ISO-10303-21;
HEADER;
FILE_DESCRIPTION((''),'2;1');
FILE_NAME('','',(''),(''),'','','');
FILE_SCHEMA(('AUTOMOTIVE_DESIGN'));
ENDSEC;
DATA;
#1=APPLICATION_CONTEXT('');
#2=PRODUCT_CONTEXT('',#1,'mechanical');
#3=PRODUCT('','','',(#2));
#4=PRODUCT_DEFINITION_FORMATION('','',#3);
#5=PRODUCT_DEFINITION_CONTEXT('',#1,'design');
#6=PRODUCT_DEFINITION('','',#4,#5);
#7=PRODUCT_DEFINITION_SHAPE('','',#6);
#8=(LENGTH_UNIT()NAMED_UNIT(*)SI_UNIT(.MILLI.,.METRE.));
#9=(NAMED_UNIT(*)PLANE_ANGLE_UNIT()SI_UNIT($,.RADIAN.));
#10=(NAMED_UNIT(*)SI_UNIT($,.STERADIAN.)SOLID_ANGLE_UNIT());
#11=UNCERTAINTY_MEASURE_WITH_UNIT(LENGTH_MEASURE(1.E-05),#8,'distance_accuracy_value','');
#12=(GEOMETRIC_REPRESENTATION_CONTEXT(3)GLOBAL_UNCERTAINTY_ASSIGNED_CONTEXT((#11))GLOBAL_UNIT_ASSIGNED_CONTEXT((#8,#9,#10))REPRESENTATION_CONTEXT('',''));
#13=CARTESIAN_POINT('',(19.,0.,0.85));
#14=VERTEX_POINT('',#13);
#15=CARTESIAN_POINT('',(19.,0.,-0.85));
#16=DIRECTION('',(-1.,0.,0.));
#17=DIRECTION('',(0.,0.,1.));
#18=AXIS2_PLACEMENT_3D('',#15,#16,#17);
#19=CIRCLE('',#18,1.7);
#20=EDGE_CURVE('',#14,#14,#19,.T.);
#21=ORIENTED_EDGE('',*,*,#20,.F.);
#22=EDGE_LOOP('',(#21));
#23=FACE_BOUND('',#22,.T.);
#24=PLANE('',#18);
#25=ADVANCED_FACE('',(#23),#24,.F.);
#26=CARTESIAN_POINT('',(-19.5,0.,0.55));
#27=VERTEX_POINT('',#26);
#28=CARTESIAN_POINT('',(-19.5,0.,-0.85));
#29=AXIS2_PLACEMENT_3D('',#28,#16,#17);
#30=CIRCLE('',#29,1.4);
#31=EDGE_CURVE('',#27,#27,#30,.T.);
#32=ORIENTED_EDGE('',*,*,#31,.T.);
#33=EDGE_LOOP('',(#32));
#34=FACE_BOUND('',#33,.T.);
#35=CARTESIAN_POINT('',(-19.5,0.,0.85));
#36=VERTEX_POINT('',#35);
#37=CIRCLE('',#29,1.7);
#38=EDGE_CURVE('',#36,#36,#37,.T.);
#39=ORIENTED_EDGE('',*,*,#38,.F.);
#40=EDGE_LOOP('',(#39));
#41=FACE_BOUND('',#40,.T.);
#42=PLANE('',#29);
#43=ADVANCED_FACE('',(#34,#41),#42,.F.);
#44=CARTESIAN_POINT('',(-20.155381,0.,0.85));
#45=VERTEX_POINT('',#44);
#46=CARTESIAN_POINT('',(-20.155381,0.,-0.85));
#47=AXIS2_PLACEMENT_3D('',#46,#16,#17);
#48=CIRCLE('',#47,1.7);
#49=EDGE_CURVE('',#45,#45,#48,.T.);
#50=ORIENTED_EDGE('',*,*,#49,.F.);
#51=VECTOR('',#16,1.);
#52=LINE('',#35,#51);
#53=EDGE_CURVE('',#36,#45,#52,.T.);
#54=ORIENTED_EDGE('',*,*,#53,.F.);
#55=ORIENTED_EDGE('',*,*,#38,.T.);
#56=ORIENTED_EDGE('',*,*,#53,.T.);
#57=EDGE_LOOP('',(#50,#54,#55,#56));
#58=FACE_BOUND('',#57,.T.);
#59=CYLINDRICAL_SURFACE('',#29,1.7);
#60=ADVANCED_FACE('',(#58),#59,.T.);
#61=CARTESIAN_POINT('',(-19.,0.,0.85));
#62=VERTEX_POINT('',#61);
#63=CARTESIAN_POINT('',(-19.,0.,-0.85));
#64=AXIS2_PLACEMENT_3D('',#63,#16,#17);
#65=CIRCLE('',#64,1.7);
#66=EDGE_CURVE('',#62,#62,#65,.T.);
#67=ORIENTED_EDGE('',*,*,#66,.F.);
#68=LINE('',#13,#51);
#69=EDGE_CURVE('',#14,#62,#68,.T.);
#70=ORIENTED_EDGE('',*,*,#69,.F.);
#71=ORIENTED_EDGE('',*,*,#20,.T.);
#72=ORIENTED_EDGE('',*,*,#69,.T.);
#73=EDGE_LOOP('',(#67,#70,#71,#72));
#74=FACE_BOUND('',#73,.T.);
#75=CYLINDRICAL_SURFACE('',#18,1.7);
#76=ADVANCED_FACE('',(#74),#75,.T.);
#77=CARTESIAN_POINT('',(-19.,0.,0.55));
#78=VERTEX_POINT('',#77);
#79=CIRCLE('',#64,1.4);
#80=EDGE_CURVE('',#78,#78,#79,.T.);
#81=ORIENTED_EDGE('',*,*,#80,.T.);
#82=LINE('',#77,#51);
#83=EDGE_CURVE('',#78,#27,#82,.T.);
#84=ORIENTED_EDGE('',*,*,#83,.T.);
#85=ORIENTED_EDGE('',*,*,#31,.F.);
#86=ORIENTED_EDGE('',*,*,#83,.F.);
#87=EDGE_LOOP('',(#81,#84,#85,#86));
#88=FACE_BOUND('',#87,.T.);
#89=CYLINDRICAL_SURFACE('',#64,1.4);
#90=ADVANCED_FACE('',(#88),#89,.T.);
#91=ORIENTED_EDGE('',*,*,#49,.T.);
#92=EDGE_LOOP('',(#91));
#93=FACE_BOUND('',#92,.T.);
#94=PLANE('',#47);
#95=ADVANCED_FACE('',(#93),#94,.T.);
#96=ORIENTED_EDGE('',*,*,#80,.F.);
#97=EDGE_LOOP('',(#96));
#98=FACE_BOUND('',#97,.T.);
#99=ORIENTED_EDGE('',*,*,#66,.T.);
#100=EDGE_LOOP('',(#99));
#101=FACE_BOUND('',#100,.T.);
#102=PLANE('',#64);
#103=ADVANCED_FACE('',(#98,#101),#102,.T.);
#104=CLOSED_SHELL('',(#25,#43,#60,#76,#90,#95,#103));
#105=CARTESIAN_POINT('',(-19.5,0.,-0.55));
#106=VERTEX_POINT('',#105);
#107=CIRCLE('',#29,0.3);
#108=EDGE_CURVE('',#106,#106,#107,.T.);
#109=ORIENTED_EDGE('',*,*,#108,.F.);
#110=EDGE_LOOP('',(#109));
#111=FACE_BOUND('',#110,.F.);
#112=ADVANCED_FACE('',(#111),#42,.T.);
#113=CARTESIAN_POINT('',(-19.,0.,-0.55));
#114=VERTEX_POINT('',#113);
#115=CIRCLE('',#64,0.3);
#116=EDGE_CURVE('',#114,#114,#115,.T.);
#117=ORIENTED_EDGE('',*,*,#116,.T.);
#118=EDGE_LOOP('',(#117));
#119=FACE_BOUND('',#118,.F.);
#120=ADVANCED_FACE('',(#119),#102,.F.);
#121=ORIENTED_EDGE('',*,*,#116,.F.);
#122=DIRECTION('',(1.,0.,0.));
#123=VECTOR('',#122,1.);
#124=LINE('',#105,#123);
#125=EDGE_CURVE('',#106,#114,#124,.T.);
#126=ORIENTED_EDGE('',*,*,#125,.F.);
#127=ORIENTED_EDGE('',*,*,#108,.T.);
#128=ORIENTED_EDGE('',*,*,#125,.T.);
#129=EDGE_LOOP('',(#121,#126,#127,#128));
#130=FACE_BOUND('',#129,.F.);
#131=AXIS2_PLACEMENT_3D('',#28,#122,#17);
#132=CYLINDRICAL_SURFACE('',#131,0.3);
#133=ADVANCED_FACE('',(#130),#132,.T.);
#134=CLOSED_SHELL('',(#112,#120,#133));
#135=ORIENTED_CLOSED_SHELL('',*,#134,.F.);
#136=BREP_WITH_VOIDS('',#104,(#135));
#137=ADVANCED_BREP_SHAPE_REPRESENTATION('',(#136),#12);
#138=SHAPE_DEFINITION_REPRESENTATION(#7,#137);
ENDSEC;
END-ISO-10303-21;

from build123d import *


with BuildPart() as f1:
    # F0 (on Front) → F1 (revolve)
    with BuildSketch(Plane.XZ):
        Polygon((-19, -0.85), (19, -0.85), (19, 0.85), (-19, 0.85), (-19, 0.55), (-19, -0.55), align=None)
        Polygon((-19.5, -0.55), (-19, -0.55), (-19, 0.55), (-19.5, 0.55), (-19.5, 0.85), (-20.155381, 0.85), (-20.155381, -0.85), (-19.5, -0.85), align=None)
    revolve(axis=Axis((0, 0, -0.85), (-1, 0, 0)))


solid = f1.part
